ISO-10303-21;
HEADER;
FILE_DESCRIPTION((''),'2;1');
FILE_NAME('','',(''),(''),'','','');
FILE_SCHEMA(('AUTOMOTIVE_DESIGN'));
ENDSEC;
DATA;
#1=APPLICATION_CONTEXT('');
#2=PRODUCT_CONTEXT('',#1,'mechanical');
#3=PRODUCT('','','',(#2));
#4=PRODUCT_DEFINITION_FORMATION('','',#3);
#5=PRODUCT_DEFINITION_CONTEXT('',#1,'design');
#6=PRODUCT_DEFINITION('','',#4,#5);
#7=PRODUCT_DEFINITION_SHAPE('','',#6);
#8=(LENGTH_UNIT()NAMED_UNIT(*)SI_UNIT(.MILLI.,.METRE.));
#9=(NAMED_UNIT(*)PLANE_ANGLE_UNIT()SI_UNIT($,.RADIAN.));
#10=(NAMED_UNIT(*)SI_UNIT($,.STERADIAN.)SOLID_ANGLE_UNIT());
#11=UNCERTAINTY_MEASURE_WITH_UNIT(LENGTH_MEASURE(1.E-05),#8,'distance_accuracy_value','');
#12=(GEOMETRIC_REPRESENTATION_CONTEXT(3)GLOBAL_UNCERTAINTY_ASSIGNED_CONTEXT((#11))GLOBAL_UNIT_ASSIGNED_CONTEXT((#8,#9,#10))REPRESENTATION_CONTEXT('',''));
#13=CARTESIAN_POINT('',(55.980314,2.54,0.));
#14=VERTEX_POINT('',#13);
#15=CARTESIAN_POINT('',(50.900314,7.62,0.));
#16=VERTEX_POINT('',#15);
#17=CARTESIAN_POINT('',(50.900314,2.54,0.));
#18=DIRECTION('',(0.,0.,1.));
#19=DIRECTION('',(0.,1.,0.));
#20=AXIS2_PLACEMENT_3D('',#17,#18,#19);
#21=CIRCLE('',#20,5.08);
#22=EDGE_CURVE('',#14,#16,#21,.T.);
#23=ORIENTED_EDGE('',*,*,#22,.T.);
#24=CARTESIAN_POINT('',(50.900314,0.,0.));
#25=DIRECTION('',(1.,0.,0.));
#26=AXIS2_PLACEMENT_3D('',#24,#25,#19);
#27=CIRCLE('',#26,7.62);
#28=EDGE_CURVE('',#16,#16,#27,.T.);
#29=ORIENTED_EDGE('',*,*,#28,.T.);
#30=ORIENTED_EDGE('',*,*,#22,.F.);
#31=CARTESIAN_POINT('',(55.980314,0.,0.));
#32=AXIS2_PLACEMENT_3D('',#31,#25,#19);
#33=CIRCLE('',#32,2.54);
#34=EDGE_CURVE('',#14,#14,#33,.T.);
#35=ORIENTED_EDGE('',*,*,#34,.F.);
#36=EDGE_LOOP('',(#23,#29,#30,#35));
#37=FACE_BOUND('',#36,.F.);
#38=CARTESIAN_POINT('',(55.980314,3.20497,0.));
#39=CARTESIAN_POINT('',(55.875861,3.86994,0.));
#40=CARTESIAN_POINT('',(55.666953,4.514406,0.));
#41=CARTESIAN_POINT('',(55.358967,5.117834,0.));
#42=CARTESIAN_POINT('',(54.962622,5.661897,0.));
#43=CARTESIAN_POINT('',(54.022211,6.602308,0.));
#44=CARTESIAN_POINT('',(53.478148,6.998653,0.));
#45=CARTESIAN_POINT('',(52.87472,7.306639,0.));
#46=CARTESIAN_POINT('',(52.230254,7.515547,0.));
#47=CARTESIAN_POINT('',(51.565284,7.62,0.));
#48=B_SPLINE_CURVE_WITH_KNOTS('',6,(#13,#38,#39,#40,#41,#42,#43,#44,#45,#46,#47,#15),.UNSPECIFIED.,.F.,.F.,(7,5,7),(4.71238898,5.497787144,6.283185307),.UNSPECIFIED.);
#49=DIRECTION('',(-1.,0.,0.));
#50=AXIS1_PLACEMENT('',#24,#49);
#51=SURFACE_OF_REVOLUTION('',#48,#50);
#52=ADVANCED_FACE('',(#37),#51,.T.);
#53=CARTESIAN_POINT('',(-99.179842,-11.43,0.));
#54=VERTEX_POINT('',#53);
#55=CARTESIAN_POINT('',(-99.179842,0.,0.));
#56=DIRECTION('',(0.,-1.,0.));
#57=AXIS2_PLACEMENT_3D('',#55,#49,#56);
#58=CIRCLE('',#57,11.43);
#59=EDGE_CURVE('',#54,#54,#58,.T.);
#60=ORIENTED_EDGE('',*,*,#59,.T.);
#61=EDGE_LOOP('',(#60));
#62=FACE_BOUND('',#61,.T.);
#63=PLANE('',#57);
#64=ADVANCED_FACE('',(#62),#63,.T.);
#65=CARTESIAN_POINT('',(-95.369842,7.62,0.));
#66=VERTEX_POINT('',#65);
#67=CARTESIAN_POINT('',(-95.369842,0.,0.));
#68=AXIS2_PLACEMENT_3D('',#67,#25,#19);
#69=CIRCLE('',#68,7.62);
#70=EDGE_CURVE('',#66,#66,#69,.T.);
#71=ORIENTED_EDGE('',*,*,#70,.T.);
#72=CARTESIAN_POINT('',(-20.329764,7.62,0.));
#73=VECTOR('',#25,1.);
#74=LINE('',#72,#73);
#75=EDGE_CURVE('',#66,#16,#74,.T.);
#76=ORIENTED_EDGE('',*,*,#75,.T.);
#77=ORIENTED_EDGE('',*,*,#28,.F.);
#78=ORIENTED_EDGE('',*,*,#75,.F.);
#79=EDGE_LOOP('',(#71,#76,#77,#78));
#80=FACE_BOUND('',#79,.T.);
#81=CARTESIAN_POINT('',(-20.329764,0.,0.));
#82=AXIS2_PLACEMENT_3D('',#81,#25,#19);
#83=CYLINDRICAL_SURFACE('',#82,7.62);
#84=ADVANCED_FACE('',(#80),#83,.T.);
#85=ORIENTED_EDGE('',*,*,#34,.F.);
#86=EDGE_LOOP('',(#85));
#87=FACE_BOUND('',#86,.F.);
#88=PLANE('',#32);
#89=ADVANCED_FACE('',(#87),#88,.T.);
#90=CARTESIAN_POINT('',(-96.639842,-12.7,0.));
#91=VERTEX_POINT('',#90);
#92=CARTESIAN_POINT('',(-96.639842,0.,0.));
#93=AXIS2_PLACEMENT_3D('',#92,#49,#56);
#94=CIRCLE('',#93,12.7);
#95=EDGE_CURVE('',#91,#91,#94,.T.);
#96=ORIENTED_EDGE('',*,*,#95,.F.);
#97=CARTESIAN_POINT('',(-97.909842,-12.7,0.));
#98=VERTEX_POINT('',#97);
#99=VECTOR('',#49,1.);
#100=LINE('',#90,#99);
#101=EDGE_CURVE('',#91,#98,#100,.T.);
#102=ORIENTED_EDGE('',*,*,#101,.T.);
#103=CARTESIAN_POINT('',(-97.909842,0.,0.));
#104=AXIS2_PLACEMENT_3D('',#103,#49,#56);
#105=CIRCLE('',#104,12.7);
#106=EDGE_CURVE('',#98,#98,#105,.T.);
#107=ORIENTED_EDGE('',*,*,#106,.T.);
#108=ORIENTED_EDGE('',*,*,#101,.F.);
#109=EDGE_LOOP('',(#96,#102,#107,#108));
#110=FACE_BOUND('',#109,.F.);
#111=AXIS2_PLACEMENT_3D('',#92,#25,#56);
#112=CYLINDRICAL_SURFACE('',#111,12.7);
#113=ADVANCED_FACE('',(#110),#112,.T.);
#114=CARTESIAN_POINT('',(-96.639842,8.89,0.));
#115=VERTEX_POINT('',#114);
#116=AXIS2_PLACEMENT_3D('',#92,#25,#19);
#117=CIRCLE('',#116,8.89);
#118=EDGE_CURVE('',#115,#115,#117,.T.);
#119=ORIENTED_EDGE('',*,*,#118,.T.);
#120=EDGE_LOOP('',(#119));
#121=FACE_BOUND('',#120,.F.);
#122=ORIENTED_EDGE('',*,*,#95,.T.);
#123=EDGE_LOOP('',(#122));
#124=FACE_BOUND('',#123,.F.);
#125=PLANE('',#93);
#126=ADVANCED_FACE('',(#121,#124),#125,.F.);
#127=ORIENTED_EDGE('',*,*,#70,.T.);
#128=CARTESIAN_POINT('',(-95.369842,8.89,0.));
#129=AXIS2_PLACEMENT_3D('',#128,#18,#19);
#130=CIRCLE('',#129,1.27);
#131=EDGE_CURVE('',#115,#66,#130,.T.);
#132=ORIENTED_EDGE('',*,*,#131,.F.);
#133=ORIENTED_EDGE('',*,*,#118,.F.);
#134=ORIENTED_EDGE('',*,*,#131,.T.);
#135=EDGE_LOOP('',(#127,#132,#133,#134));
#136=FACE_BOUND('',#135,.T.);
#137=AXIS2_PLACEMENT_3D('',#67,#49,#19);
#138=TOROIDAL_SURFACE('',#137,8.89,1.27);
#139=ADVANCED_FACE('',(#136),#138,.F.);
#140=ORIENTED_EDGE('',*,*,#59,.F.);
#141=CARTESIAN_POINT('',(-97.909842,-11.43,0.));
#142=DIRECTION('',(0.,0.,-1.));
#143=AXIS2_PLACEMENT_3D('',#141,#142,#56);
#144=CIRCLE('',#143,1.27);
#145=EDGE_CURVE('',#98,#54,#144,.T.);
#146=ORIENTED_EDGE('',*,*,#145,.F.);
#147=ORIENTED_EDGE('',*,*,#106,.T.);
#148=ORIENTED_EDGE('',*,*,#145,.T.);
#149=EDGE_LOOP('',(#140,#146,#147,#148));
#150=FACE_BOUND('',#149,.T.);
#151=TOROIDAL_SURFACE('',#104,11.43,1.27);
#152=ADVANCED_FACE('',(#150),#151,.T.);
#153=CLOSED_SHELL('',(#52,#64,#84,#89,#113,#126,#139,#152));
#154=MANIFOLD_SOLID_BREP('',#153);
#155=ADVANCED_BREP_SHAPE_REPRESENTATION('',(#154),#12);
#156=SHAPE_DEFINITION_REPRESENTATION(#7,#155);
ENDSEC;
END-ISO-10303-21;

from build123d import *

# Parameters (mm, degrees)
F0_W     = 152.620156
F0_H     = 7.62
F2_R     = 5.08
F3_R     = 12.7
F4_DEPTH = 2.54
F5_R     = 1.27


with BuildPart() as f1:
    # F0 (on Top) → F1 (revolve)
    with BuildSketch(Plane.XY):
        with Locations((-20.329764, 3.81)):
            Rectangle(F0_W, F0_H)
    revolve(axis=Axis((-20.329764, 0, 0), (1, 0, 0)))

    # F2
    f2_edges = [f1.edges().sort_by_distance(p)[0] for p in [
        (55.980314, -7.62, 0),
    ]]
    fillet(f2_edges, radius=F2_R)

    # F3 (on face) → F4 (join)
    with BuildSketch(Plane(origin=(-96.639842, 0, 0), x_dir=(0, -1, 0), z_dir=(-1, 0, 0))):
        Circle(F3_R)
    extrude(amount=F4_DEPTH)

    # F5
    f5_edges = [f1.edges().sort_by_distance(p)[0] for p in [
        (-99.179842, 12.7, 0),
        (-96.639842, -7.62, 0),
    ]]
    fillet(f5_edges, radius=F5_R)


solid = f1.part
